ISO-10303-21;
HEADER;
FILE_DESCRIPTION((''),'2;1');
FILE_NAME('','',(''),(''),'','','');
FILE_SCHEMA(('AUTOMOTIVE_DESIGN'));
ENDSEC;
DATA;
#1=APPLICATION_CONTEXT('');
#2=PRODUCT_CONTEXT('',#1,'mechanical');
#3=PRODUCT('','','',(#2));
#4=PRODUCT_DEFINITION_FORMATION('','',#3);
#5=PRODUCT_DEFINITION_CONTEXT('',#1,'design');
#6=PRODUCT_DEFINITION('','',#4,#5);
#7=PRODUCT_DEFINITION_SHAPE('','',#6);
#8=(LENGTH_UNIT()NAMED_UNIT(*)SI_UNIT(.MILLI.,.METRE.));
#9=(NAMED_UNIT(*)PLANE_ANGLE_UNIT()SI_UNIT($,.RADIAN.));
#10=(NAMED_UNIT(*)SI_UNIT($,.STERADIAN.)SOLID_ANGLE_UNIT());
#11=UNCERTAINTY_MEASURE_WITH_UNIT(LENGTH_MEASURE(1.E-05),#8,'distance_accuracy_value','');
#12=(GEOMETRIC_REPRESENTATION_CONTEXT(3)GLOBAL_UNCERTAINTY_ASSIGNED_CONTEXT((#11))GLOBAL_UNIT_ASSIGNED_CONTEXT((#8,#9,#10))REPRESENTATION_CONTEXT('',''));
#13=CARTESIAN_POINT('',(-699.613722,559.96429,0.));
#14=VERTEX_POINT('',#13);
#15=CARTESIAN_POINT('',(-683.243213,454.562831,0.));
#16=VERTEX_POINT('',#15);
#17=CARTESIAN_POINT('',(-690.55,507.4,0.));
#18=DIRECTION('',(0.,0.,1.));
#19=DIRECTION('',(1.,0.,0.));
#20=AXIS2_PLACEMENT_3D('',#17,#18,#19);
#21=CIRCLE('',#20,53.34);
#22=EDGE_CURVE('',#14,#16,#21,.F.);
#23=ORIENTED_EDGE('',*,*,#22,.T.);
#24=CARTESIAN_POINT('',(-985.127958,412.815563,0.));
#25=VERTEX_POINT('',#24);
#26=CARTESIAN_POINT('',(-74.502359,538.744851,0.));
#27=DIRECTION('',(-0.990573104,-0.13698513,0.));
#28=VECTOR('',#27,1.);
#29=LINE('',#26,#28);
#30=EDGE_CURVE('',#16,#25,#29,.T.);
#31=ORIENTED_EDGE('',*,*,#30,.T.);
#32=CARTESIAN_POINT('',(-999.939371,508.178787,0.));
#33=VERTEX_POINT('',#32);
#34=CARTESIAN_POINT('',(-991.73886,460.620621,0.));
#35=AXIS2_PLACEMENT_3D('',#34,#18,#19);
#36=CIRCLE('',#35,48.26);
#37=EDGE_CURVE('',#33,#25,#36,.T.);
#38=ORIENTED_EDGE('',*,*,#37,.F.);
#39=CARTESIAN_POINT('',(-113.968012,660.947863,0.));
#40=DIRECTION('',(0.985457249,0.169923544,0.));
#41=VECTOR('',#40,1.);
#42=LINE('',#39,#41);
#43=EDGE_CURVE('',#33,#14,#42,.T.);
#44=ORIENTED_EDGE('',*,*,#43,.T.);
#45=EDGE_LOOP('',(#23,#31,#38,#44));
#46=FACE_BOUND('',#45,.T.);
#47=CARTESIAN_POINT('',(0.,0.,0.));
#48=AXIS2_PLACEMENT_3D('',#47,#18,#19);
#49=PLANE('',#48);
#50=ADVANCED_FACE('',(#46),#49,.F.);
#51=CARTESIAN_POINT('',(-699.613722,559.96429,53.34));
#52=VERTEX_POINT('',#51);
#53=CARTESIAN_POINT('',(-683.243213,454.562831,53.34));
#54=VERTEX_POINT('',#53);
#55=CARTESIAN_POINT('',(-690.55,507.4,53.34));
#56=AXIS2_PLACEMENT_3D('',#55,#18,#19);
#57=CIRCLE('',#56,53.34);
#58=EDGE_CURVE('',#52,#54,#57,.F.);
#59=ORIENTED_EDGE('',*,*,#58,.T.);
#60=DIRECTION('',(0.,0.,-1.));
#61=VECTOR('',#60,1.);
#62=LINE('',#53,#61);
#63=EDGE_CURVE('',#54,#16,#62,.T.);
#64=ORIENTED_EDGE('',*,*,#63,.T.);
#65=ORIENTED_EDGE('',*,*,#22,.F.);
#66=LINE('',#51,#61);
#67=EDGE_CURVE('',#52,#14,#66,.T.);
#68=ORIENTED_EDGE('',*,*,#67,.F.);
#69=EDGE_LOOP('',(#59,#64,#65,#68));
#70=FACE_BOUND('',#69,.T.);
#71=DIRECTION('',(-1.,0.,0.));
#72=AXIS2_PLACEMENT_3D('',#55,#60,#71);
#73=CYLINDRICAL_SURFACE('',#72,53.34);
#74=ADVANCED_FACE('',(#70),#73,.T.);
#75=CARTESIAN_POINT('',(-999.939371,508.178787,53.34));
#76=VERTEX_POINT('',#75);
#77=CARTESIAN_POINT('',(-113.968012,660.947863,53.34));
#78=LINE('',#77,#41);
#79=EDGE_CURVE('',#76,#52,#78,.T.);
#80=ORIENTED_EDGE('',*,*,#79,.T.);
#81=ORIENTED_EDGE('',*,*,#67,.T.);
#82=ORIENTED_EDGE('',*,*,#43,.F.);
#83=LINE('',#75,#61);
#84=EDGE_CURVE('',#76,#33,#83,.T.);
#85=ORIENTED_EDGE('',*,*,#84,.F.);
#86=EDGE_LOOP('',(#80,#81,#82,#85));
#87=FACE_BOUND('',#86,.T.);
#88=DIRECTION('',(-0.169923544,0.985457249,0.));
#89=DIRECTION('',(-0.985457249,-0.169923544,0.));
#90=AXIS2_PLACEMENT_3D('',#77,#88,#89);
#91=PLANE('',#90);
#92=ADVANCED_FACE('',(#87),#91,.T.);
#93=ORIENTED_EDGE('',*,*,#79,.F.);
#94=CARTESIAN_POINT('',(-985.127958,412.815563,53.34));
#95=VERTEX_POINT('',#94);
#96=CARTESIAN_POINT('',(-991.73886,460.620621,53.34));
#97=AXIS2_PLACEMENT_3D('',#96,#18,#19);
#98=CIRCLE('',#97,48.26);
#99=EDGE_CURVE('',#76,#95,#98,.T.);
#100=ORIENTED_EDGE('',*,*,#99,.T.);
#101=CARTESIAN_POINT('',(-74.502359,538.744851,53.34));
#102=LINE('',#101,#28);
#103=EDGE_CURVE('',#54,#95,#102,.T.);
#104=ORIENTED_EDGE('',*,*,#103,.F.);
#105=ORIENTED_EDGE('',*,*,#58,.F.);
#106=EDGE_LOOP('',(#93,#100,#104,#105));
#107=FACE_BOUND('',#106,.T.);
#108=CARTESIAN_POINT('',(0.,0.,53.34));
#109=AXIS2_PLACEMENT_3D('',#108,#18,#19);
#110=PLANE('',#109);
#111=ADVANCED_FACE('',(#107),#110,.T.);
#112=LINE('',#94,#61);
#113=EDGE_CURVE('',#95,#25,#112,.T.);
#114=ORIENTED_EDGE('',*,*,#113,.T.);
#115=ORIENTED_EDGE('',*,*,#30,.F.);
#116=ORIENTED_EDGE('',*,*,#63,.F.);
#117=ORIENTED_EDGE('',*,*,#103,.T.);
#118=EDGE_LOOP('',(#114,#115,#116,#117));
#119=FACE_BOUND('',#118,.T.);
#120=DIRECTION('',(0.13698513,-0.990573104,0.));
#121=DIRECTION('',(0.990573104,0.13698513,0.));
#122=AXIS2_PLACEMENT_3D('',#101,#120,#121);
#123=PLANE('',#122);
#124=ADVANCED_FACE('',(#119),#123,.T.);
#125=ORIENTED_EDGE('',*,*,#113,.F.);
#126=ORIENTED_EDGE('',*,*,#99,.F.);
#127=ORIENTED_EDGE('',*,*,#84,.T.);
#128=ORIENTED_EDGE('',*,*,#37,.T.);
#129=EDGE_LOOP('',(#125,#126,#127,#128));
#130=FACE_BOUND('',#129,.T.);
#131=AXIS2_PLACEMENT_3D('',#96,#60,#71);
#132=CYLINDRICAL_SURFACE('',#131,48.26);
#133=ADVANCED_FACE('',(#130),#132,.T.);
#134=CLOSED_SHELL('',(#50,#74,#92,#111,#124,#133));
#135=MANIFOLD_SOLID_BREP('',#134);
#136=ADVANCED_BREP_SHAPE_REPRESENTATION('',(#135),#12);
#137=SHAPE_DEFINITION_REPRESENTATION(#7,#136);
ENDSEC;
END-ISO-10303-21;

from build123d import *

# Parameters (mm, degrees)
BOSS_EXTRUDE1_DEPTH = 53.34


with BuildPart() as part:
    # Sketch1 → Boss-Extrude1 (new body)
    with BuildSketch(Plane.XY):
        with BuildLine():
            Line((-999.939370706, 508.178787336), (-699.613721868, 559.96428965))
            ThreePointArc((-699.613721868, 559.96428965), (-637.841949448, 515.586391411), (-683.243213202, 454.562830637))
            Line((-683.243213202, 454.562830637), (-985.127958103, 412.815562514))
            ThreePointArc((-985.127958103, 412.815562514), (-1039.427096704, 453.213885424), (-999.939370706, 508.178787336))
        make_face()
    extrude(amount=BOSS_EXTRUDE1_DEPTH)


solid = part.part
